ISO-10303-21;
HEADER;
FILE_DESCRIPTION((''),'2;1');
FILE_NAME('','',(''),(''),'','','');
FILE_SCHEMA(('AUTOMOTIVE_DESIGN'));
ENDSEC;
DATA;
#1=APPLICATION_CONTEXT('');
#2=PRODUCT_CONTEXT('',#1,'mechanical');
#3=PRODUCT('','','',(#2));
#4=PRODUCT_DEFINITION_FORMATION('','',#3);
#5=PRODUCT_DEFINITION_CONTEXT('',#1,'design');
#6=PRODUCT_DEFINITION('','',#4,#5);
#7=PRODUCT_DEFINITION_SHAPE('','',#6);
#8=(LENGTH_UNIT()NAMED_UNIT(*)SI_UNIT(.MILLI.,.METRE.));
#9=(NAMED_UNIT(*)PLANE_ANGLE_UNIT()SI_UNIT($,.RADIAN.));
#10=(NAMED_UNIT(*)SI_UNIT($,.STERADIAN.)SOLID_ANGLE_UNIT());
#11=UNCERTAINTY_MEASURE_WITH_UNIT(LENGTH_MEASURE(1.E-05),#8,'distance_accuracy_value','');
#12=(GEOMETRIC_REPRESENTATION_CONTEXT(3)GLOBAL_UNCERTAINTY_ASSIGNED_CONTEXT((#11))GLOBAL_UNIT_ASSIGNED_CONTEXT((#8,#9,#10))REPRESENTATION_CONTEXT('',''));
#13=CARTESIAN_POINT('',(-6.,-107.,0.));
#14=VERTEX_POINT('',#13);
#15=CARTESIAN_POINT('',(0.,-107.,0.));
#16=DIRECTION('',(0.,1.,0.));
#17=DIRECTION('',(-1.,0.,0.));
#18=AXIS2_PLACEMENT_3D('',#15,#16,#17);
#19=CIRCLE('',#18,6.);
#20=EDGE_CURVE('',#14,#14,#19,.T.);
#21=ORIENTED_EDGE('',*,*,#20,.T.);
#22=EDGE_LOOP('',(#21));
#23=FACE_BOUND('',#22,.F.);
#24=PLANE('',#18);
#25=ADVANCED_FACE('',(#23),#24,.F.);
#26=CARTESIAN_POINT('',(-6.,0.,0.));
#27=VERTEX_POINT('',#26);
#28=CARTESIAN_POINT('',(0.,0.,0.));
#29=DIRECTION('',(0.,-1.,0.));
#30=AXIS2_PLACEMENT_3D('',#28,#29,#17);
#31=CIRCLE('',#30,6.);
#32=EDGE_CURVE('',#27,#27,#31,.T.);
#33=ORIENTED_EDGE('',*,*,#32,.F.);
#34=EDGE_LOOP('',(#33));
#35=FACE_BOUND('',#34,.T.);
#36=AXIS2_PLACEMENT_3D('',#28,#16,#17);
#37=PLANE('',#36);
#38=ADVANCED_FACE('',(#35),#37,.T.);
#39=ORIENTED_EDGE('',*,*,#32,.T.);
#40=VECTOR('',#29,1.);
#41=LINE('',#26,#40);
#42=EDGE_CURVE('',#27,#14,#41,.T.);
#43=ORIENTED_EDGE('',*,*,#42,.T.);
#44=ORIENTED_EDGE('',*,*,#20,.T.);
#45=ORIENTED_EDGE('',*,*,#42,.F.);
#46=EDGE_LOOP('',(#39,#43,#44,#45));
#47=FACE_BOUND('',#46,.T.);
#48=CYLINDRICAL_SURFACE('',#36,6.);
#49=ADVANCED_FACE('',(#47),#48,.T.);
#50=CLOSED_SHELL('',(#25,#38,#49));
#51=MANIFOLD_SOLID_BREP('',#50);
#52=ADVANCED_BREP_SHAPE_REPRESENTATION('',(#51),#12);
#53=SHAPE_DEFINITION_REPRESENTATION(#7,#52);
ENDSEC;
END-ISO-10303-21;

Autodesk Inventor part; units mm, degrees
ref_plane "YZ Plane" through (0, 0, 0) normal (1, 0, 0) x (0, 1, 0)
ref_plane "XZ Plane" through (0, 0, 0) normal (0, 1, 0) x (-1, 0, 0)
ref_plane "XY Plane" through (0, 0, 0) normal (0, 0, 1) x (1, 0, 0)
sketch "Esquisse1" plane through (0, 0, 0) normal (0, 1, 0) x (-1, 0, 0)
  line L0 (0, -8.4) -> (0, 8.4) projected
  line L1 (8.4, 0) -> (-8.4, 0) projected
  circle A0 centre (0, 0) radius 6
  dimension "d0" = 12
extrude "Extrusion1" add sketch "Esquisse1" against normal blind 107
properties part number "Colossus_7kW_Shaft"
